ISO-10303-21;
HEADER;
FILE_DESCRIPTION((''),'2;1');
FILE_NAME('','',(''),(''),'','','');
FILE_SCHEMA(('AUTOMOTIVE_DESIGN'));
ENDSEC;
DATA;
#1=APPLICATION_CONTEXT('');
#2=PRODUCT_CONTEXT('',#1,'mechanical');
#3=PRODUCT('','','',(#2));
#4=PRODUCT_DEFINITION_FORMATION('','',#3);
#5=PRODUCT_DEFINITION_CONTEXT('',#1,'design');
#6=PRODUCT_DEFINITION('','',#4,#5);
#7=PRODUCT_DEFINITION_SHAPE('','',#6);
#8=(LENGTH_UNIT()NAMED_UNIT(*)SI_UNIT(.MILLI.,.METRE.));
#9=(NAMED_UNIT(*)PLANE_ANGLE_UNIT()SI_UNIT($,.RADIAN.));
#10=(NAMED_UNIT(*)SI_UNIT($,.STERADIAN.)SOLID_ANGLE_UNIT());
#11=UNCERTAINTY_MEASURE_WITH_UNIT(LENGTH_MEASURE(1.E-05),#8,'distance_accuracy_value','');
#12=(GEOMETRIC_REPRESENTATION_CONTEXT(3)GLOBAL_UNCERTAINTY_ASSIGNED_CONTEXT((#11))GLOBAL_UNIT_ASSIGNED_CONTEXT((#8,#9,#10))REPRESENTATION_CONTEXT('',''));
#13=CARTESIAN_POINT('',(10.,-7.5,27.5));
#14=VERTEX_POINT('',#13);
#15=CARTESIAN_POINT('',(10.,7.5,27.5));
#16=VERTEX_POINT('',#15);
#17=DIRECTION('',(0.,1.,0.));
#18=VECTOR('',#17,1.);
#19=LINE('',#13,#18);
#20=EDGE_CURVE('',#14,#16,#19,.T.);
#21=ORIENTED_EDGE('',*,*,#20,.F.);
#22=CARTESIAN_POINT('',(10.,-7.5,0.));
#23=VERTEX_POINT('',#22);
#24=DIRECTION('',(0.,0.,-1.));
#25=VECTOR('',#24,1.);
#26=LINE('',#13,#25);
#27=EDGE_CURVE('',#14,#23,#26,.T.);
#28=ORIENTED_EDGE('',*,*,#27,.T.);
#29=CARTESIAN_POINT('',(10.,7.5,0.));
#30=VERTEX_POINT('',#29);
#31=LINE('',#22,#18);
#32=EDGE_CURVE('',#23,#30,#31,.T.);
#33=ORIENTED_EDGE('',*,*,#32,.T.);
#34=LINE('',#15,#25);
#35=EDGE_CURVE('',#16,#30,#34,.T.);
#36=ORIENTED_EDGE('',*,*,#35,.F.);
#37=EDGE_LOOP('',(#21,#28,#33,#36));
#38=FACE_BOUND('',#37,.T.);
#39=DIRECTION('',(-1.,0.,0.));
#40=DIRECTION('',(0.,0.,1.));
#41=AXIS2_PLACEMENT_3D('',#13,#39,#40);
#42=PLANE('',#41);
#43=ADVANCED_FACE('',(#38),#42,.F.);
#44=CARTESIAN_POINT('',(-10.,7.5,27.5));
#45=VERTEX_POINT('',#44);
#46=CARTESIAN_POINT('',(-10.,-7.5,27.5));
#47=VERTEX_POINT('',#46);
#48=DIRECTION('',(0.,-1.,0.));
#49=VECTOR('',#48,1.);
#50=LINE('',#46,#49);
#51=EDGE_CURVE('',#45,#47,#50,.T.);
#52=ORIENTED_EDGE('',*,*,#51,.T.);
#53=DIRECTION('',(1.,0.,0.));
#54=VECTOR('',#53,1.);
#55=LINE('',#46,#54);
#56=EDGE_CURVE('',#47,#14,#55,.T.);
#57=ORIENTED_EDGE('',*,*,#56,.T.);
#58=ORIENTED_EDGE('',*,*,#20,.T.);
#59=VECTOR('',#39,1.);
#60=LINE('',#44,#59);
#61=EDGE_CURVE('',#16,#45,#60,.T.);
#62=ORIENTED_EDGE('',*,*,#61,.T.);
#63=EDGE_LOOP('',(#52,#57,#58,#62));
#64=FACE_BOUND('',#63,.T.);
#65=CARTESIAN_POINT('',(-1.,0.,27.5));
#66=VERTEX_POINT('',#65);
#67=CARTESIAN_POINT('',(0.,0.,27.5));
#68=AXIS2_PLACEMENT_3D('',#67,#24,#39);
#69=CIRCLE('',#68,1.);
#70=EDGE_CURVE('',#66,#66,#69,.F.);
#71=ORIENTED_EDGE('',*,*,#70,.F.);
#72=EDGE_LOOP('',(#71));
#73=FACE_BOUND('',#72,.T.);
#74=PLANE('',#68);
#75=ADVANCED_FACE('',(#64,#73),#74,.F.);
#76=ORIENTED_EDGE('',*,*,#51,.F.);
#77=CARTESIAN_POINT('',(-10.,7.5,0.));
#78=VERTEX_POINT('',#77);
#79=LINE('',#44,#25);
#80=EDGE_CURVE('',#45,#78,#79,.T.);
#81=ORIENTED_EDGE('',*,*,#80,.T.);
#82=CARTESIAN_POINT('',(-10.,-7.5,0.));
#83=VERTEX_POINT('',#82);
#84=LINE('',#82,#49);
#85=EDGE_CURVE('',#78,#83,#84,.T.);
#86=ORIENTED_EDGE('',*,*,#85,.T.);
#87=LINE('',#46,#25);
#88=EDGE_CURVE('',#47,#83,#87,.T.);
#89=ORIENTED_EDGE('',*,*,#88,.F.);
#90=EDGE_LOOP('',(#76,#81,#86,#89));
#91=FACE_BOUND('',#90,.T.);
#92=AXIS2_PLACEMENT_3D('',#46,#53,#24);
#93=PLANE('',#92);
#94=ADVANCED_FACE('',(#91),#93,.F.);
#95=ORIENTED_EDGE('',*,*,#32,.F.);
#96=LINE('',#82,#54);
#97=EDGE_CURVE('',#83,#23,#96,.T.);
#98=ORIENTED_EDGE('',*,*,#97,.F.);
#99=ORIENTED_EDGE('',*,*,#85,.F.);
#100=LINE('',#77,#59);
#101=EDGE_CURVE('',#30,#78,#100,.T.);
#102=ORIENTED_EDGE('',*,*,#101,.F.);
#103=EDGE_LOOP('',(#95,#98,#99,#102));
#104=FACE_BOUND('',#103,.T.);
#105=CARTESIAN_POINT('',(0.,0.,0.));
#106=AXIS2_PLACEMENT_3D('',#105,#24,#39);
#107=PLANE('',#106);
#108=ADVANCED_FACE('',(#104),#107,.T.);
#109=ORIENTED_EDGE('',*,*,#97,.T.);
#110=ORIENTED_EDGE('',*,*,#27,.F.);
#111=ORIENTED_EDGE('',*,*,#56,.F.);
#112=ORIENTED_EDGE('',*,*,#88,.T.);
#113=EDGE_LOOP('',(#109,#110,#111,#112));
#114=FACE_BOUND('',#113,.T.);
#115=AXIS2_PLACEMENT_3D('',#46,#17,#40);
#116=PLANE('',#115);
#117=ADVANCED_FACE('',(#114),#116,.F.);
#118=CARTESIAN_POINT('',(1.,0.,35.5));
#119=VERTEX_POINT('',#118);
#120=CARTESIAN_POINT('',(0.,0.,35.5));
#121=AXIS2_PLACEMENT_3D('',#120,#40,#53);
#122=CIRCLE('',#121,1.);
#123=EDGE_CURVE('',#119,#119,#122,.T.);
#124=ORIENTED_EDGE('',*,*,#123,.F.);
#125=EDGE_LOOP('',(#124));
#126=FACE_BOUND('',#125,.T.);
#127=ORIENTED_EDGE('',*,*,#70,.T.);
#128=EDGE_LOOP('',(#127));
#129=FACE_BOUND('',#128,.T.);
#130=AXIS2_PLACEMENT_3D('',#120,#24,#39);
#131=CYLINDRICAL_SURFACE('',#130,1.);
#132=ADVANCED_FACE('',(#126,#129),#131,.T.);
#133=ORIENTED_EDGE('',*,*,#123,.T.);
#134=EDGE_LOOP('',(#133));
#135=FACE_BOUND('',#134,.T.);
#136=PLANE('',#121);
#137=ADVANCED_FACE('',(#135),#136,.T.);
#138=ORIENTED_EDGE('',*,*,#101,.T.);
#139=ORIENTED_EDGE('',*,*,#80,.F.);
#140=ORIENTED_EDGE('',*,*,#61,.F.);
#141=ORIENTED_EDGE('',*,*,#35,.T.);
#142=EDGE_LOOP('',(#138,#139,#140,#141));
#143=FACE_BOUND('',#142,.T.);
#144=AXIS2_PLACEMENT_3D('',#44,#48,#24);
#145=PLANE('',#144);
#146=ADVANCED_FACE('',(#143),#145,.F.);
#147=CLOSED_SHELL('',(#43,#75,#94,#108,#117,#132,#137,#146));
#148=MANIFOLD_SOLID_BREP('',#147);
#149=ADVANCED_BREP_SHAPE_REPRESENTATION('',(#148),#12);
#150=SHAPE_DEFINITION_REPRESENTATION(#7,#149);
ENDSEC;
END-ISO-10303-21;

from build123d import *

# Parameters (mm, degrees)
SKETCH1_W                 = 20
SKETCH1_H                 = 15
MOTOR_BODY_ENVELOPE_DEPTH = 27.5
REFERENCE_2MM_SHAFT_START = 27.5
SKETCH2_R                 = 1
REFERENCE_2MM_SHAFT_DEPTH = 8


with BuildPart() as part:
    # Sketch1 → Motor_Body_Envelope (new body)
    with BuildSketch(Plane.XY):
        Rectangle(SKETCH1_W, SKETCH1_H)
    extrude(amount=MOTOR_BODY_ENVELOPE_DEPTH)

    # Sketch2 → Reference_2mm_Shaft (add)
    with BuildSketch(Plane.XY.offset(REFERENCE_2MM_SHAFT_START)):
        with Locations(Location((0, 0, 0), (0, 0, 180))):
            Circle(SKETCH2_R)
    extrude(amount=REFERENCE_2MM_SHAFT_DEPTH)


solid = part.part
